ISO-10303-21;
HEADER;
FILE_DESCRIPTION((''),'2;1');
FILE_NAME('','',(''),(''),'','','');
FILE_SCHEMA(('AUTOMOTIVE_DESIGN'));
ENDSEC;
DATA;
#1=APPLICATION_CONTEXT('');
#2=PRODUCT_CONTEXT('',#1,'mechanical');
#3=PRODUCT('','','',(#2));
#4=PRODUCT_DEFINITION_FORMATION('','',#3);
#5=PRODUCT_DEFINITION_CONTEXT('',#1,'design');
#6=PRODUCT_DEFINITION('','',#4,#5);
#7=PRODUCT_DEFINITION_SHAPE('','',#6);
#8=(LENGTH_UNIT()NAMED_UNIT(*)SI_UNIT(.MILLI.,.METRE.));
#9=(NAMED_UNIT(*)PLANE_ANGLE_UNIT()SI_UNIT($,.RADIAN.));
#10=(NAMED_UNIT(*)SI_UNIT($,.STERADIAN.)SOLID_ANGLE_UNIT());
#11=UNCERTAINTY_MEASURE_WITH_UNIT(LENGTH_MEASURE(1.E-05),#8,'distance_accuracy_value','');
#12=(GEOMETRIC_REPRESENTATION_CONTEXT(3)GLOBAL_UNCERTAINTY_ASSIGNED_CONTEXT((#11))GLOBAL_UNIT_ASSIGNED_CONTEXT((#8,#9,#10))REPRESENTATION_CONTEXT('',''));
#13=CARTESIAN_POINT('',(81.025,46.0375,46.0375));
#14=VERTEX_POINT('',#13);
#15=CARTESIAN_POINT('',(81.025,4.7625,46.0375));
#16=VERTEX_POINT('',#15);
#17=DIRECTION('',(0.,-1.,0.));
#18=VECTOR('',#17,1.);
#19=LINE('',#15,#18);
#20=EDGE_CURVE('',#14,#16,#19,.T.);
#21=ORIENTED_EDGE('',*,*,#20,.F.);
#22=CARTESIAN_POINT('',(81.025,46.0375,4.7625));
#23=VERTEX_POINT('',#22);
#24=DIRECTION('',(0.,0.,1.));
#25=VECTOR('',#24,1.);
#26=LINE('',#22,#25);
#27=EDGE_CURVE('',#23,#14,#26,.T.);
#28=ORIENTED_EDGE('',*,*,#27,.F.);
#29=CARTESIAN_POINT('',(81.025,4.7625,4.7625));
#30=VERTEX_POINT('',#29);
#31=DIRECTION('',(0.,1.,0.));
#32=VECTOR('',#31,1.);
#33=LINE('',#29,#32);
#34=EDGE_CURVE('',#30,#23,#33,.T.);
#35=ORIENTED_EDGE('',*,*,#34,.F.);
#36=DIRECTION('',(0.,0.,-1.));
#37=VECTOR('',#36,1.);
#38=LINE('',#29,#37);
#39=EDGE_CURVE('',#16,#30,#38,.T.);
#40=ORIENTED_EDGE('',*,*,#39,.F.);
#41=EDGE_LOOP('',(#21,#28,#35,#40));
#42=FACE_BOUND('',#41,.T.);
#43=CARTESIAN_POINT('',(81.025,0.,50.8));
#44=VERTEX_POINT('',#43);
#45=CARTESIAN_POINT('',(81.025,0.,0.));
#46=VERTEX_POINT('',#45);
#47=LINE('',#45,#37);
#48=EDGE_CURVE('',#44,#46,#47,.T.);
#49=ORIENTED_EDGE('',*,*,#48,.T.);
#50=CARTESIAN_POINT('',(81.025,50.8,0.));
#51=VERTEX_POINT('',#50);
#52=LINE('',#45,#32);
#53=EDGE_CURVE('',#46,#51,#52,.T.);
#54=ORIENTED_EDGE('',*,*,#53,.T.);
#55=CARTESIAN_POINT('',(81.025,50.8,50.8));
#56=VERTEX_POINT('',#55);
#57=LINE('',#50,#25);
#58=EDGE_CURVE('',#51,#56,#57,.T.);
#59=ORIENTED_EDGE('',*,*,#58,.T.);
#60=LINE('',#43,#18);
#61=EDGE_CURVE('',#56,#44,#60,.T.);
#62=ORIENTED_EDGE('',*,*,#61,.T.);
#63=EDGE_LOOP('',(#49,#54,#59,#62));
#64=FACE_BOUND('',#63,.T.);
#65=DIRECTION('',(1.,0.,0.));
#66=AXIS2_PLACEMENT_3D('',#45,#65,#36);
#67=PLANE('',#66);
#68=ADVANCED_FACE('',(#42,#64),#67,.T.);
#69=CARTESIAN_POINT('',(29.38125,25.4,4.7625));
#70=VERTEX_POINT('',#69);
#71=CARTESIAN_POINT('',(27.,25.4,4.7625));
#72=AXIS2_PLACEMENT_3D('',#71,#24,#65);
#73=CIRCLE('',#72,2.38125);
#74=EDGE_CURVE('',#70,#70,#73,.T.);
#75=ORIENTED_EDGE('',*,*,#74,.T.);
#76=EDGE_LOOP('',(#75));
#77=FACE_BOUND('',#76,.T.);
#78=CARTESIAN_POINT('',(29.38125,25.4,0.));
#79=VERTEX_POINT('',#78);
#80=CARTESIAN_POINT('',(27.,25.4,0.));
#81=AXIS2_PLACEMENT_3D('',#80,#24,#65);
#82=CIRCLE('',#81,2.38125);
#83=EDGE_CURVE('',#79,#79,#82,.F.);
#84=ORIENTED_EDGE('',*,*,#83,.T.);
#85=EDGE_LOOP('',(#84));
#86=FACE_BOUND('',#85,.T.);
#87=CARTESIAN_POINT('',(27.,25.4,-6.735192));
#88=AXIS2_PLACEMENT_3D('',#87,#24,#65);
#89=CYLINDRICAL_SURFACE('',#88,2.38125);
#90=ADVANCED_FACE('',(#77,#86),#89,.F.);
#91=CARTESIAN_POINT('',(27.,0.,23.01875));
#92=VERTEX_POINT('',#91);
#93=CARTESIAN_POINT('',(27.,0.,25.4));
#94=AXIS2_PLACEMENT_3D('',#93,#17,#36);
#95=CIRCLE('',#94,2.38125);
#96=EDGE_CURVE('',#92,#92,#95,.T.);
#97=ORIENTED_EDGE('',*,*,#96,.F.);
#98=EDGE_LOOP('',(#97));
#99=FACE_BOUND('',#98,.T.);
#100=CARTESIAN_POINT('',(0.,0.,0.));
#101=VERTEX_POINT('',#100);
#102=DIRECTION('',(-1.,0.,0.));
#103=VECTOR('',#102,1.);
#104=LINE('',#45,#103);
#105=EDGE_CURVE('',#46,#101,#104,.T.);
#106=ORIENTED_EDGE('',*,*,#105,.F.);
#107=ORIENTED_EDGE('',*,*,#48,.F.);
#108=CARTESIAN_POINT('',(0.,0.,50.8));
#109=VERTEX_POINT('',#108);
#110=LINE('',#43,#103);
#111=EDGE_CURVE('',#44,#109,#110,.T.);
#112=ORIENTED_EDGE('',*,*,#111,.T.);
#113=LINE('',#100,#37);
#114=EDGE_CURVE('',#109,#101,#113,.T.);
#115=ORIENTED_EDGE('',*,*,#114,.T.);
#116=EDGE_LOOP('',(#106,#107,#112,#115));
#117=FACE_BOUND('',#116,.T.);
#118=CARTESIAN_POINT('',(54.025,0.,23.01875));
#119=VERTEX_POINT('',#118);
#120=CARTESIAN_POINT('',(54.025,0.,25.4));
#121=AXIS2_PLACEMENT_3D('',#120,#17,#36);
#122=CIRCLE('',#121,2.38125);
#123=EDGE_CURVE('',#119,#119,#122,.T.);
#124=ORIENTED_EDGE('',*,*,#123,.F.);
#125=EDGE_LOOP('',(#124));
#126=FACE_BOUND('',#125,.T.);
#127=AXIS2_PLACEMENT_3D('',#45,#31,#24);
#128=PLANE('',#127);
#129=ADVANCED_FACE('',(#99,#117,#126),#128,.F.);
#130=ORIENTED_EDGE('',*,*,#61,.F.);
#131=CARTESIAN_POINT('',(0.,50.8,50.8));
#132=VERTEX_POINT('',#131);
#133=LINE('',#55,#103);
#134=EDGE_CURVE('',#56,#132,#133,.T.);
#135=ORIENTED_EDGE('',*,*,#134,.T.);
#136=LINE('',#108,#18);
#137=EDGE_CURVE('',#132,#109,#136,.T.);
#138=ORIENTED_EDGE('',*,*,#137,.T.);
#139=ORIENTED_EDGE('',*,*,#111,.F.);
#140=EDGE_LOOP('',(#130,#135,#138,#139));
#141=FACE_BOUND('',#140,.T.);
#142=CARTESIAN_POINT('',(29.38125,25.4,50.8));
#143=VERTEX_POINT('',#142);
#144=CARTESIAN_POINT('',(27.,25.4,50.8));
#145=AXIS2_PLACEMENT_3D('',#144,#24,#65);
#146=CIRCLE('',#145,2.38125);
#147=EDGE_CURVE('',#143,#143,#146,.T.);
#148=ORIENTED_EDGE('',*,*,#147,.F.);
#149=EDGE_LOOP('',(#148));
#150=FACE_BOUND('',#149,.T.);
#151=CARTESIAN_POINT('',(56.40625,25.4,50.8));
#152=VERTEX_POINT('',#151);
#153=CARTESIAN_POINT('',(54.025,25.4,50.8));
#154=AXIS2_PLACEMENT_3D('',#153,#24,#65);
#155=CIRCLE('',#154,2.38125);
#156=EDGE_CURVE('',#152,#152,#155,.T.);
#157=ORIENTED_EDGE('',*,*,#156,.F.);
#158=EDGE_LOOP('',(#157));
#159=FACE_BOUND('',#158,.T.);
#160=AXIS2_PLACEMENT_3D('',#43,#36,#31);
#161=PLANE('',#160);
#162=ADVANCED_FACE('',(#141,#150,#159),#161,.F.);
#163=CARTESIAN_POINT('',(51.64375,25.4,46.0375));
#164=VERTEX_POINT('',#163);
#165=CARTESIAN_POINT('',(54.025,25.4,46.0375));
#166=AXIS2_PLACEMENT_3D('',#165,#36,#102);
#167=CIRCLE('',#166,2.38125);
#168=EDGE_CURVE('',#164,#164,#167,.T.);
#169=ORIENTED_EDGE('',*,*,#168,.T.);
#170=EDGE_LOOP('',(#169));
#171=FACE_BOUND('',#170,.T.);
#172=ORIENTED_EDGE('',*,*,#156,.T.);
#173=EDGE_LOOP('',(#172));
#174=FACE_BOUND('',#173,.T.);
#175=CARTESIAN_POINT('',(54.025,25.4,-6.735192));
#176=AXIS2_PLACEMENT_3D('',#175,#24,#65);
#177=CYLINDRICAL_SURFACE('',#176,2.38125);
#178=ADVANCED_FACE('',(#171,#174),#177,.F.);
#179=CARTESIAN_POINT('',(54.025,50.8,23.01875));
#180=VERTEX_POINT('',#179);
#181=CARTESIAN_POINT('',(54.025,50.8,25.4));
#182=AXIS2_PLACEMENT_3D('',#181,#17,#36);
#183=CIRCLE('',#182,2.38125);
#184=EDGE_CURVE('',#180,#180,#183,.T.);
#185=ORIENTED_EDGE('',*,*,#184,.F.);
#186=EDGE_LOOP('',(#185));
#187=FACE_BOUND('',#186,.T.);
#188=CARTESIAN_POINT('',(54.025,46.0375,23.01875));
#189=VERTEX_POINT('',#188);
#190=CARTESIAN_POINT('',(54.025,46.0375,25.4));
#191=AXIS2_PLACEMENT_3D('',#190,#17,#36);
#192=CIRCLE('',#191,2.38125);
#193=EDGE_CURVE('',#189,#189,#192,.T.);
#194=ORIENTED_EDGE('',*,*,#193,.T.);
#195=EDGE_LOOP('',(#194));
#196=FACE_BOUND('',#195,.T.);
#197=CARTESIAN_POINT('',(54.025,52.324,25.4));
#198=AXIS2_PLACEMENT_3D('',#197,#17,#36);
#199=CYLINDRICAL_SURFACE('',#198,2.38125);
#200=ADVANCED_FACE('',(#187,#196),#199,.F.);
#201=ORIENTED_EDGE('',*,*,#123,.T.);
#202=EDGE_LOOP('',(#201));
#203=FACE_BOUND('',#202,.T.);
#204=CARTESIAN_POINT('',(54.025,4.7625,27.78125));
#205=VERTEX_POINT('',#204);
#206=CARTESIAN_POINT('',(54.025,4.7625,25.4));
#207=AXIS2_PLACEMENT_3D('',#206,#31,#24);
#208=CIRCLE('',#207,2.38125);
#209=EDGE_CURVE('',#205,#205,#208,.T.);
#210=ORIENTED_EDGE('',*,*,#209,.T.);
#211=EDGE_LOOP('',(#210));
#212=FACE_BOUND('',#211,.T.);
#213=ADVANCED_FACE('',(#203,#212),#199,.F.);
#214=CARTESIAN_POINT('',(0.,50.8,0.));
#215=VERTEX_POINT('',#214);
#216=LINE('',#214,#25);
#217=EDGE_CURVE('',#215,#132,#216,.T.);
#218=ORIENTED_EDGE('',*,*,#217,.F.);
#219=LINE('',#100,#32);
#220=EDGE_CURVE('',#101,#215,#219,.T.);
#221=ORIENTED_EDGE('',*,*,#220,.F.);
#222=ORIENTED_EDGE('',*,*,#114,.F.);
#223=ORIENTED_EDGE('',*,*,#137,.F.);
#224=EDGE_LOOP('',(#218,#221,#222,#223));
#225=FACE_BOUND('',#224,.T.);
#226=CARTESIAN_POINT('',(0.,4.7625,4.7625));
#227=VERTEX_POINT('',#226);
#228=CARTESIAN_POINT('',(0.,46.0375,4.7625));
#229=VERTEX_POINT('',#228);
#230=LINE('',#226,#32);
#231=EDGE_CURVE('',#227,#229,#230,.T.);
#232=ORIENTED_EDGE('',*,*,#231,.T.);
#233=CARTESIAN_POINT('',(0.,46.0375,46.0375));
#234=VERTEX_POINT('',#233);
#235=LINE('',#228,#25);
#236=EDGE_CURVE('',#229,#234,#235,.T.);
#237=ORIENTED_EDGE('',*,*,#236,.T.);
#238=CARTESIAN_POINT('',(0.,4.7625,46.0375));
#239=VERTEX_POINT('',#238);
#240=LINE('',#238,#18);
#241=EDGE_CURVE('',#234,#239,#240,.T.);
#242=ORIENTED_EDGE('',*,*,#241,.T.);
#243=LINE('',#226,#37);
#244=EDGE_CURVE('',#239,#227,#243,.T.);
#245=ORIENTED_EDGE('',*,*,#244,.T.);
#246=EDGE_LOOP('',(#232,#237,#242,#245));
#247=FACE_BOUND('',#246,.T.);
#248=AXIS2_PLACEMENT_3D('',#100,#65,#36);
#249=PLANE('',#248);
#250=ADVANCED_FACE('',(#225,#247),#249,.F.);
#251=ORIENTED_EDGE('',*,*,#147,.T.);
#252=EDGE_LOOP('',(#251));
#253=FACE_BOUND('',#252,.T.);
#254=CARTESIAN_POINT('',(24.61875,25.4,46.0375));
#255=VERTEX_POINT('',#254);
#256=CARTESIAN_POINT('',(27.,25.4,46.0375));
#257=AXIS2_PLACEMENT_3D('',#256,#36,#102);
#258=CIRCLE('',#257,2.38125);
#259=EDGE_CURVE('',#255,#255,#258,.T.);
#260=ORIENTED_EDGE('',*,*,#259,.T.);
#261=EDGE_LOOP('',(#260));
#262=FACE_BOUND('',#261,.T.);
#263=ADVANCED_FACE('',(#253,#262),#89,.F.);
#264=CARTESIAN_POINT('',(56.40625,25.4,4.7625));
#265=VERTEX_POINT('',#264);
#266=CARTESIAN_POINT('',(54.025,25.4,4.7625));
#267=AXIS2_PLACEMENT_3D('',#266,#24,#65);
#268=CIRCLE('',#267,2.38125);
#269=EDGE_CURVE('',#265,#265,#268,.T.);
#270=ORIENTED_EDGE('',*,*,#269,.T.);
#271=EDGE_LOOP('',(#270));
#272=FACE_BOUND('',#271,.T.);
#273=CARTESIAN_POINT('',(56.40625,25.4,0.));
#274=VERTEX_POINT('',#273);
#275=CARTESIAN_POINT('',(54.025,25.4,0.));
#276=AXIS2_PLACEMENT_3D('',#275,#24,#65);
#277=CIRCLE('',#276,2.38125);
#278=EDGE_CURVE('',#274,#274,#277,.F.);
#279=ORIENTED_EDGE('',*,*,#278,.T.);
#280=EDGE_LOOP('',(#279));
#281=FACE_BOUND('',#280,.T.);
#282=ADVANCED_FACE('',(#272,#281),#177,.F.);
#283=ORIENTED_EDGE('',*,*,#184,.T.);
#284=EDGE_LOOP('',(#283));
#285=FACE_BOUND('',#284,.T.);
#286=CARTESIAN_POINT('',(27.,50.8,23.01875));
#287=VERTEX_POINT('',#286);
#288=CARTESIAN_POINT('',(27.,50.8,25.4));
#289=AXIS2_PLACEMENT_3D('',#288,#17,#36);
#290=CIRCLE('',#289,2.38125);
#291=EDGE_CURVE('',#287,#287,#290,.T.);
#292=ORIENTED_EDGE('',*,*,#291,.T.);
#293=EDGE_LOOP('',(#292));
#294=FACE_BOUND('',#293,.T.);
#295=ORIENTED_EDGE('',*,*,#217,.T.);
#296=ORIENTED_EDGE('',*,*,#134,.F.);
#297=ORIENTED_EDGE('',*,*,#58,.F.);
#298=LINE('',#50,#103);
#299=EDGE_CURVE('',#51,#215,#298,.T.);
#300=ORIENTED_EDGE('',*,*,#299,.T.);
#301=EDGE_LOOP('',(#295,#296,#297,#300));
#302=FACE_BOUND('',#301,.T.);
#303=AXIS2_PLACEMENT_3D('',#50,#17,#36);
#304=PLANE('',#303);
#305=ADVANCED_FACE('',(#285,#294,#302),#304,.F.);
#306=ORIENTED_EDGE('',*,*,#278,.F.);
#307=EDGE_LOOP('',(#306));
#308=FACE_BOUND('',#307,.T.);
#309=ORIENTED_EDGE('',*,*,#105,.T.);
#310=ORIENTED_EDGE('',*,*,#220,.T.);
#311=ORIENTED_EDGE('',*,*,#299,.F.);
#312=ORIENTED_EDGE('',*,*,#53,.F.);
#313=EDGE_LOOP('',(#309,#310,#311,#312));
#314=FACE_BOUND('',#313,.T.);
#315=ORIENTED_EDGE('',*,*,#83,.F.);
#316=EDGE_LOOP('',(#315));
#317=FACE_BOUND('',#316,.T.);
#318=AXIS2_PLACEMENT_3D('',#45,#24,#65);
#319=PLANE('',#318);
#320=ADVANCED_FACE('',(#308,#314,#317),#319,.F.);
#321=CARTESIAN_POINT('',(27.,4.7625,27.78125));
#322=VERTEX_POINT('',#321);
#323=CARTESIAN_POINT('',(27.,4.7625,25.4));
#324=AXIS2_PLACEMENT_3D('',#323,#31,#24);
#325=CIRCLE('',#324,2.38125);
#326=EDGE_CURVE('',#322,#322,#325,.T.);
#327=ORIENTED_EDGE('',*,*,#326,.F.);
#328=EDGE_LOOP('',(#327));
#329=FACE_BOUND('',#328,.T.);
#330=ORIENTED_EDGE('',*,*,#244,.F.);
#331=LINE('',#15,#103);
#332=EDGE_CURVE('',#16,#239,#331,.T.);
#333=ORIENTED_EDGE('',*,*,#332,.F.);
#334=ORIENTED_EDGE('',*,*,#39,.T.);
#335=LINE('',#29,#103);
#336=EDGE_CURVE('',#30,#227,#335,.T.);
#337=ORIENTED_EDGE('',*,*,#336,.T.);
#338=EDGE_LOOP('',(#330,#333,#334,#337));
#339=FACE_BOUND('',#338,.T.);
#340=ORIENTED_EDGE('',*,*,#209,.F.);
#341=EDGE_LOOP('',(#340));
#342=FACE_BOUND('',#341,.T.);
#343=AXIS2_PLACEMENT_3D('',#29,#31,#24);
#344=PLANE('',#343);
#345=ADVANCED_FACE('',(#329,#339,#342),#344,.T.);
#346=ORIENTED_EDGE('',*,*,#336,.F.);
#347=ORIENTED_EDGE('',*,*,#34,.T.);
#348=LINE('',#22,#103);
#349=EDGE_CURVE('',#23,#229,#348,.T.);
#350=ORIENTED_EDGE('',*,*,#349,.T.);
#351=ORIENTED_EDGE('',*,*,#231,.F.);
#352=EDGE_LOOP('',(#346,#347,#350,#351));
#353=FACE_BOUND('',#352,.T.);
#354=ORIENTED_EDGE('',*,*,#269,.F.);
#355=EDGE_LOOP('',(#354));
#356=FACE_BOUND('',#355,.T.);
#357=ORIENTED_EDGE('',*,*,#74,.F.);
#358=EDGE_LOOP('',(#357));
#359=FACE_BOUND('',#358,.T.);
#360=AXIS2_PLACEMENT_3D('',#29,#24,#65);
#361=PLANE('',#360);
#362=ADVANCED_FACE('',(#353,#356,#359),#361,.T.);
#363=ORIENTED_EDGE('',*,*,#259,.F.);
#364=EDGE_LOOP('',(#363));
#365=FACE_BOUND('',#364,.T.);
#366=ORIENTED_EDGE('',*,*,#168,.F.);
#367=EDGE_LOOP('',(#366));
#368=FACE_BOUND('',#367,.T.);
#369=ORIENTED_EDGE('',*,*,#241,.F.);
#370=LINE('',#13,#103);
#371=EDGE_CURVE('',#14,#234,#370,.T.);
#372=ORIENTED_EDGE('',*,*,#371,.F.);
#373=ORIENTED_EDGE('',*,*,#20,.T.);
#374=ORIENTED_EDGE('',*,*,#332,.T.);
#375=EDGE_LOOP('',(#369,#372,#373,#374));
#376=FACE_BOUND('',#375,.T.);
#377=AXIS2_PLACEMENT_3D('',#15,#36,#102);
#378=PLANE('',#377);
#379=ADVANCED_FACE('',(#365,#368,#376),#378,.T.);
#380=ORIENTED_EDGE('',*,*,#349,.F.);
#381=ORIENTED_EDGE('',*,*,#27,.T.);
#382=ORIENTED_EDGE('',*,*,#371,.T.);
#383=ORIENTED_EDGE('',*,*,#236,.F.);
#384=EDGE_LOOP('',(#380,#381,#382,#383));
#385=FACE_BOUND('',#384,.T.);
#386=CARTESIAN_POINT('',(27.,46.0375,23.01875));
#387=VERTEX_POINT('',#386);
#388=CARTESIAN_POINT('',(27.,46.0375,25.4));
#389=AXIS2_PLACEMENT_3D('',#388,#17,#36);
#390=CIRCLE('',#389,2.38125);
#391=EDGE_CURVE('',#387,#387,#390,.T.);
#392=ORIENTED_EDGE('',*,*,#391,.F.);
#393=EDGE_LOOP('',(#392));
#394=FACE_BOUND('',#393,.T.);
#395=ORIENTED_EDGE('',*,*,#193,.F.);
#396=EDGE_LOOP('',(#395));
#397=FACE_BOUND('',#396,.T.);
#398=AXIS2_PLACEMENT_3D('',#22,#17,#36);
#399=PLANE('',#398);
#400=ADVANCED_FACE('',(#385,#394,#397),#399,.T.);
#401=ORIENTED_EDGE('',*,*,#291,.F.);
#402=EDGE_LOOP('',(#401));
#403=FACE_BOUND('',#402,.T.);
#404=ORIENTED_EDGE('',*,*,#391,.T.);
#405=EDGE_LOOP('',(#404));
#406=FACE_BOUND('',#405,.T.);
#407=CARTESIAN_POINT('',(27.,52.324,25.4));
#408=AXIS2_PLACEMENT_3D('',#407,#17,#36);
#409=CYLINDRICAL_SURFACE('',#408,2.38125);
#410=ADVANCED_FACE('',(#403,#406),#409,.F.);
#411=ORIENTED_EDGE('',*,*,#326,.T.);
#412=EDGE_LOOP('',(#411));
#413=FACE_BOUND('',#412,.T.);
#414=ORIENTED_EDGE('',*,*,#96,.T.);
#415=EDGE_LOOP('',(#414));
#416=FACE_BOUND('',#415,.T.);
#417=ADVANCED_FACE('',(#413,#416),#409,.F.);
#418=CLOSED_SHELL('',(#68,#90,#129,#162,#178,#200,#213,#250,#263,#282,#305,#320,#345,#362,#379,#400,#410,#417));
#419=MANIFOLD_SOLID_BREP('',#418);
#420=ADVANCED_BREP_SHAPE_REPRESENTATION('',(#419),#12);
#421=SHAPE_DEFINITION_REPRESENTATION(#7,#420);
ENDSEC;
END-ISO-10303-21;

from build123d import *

# Parameters (mm, degrees)
SKETCH1_W           = 50.8
SKETCH1_H           = 50.8
SKETCH1_W_2         = 41.275
SKETCH1_H_2         = 41.275
BOSS_EXTRUDE1_DEPTH = 81.025
SKETCH2_R           = 2.38125
CUT_EXTRUDE1_DEPTH  = 50.8
SKETCH3_R           = 2.38125
CUT_EXTRUDE2_DEPTH  = 52.324


with BuildPart() as part:
    # Sketch1 → Boss-Extrude1 (new body)
    with BuildSketch(Plane(origin=(0, 0, 0), x_dir=(0, 0, -1), z_dir=(1, 0, 0))):
        with Locations((-25.4, 25.4)):
            Rectangle(SKETCH1_W, SKETCH1_H)
        with Locations((-25.4, 25.4)):
            Rectangle(SKETCH1_W_2, SKETCH1_H_2, mode=Mode.SUBTRACT)
    extrude(amount=BOSS_EXTRUDE1_DEPTH)

    # Sketch2 → Cut-Extrude1 (cut)
    with BuildSketch(Plane.XY.offset(50.8)):
        with Locations((27, 25.4)):
            Circle(SKETCH2_R)
        with Locations((54.025, 25.4)):
            Circle(SKETCH2_R)
    extrude(amount=-CUT_EXTRUDE1_DEPTH, mode=Mode.SUBTRACT)

    # Sketch3 → Cut-Extrude2 (cut)
    with BuildSketch(Plane.XZ):
        with Locations((27, 25.4)):
            Circle(SKETCH3_R)
        with Locations((54.025, 25.4)):
            Circle(SKETCH3_R)
    extrude(amount=-CUT_EXTRUDE2_DEPTH, mode=Mode.SUBTRACT)


solid = part.part
